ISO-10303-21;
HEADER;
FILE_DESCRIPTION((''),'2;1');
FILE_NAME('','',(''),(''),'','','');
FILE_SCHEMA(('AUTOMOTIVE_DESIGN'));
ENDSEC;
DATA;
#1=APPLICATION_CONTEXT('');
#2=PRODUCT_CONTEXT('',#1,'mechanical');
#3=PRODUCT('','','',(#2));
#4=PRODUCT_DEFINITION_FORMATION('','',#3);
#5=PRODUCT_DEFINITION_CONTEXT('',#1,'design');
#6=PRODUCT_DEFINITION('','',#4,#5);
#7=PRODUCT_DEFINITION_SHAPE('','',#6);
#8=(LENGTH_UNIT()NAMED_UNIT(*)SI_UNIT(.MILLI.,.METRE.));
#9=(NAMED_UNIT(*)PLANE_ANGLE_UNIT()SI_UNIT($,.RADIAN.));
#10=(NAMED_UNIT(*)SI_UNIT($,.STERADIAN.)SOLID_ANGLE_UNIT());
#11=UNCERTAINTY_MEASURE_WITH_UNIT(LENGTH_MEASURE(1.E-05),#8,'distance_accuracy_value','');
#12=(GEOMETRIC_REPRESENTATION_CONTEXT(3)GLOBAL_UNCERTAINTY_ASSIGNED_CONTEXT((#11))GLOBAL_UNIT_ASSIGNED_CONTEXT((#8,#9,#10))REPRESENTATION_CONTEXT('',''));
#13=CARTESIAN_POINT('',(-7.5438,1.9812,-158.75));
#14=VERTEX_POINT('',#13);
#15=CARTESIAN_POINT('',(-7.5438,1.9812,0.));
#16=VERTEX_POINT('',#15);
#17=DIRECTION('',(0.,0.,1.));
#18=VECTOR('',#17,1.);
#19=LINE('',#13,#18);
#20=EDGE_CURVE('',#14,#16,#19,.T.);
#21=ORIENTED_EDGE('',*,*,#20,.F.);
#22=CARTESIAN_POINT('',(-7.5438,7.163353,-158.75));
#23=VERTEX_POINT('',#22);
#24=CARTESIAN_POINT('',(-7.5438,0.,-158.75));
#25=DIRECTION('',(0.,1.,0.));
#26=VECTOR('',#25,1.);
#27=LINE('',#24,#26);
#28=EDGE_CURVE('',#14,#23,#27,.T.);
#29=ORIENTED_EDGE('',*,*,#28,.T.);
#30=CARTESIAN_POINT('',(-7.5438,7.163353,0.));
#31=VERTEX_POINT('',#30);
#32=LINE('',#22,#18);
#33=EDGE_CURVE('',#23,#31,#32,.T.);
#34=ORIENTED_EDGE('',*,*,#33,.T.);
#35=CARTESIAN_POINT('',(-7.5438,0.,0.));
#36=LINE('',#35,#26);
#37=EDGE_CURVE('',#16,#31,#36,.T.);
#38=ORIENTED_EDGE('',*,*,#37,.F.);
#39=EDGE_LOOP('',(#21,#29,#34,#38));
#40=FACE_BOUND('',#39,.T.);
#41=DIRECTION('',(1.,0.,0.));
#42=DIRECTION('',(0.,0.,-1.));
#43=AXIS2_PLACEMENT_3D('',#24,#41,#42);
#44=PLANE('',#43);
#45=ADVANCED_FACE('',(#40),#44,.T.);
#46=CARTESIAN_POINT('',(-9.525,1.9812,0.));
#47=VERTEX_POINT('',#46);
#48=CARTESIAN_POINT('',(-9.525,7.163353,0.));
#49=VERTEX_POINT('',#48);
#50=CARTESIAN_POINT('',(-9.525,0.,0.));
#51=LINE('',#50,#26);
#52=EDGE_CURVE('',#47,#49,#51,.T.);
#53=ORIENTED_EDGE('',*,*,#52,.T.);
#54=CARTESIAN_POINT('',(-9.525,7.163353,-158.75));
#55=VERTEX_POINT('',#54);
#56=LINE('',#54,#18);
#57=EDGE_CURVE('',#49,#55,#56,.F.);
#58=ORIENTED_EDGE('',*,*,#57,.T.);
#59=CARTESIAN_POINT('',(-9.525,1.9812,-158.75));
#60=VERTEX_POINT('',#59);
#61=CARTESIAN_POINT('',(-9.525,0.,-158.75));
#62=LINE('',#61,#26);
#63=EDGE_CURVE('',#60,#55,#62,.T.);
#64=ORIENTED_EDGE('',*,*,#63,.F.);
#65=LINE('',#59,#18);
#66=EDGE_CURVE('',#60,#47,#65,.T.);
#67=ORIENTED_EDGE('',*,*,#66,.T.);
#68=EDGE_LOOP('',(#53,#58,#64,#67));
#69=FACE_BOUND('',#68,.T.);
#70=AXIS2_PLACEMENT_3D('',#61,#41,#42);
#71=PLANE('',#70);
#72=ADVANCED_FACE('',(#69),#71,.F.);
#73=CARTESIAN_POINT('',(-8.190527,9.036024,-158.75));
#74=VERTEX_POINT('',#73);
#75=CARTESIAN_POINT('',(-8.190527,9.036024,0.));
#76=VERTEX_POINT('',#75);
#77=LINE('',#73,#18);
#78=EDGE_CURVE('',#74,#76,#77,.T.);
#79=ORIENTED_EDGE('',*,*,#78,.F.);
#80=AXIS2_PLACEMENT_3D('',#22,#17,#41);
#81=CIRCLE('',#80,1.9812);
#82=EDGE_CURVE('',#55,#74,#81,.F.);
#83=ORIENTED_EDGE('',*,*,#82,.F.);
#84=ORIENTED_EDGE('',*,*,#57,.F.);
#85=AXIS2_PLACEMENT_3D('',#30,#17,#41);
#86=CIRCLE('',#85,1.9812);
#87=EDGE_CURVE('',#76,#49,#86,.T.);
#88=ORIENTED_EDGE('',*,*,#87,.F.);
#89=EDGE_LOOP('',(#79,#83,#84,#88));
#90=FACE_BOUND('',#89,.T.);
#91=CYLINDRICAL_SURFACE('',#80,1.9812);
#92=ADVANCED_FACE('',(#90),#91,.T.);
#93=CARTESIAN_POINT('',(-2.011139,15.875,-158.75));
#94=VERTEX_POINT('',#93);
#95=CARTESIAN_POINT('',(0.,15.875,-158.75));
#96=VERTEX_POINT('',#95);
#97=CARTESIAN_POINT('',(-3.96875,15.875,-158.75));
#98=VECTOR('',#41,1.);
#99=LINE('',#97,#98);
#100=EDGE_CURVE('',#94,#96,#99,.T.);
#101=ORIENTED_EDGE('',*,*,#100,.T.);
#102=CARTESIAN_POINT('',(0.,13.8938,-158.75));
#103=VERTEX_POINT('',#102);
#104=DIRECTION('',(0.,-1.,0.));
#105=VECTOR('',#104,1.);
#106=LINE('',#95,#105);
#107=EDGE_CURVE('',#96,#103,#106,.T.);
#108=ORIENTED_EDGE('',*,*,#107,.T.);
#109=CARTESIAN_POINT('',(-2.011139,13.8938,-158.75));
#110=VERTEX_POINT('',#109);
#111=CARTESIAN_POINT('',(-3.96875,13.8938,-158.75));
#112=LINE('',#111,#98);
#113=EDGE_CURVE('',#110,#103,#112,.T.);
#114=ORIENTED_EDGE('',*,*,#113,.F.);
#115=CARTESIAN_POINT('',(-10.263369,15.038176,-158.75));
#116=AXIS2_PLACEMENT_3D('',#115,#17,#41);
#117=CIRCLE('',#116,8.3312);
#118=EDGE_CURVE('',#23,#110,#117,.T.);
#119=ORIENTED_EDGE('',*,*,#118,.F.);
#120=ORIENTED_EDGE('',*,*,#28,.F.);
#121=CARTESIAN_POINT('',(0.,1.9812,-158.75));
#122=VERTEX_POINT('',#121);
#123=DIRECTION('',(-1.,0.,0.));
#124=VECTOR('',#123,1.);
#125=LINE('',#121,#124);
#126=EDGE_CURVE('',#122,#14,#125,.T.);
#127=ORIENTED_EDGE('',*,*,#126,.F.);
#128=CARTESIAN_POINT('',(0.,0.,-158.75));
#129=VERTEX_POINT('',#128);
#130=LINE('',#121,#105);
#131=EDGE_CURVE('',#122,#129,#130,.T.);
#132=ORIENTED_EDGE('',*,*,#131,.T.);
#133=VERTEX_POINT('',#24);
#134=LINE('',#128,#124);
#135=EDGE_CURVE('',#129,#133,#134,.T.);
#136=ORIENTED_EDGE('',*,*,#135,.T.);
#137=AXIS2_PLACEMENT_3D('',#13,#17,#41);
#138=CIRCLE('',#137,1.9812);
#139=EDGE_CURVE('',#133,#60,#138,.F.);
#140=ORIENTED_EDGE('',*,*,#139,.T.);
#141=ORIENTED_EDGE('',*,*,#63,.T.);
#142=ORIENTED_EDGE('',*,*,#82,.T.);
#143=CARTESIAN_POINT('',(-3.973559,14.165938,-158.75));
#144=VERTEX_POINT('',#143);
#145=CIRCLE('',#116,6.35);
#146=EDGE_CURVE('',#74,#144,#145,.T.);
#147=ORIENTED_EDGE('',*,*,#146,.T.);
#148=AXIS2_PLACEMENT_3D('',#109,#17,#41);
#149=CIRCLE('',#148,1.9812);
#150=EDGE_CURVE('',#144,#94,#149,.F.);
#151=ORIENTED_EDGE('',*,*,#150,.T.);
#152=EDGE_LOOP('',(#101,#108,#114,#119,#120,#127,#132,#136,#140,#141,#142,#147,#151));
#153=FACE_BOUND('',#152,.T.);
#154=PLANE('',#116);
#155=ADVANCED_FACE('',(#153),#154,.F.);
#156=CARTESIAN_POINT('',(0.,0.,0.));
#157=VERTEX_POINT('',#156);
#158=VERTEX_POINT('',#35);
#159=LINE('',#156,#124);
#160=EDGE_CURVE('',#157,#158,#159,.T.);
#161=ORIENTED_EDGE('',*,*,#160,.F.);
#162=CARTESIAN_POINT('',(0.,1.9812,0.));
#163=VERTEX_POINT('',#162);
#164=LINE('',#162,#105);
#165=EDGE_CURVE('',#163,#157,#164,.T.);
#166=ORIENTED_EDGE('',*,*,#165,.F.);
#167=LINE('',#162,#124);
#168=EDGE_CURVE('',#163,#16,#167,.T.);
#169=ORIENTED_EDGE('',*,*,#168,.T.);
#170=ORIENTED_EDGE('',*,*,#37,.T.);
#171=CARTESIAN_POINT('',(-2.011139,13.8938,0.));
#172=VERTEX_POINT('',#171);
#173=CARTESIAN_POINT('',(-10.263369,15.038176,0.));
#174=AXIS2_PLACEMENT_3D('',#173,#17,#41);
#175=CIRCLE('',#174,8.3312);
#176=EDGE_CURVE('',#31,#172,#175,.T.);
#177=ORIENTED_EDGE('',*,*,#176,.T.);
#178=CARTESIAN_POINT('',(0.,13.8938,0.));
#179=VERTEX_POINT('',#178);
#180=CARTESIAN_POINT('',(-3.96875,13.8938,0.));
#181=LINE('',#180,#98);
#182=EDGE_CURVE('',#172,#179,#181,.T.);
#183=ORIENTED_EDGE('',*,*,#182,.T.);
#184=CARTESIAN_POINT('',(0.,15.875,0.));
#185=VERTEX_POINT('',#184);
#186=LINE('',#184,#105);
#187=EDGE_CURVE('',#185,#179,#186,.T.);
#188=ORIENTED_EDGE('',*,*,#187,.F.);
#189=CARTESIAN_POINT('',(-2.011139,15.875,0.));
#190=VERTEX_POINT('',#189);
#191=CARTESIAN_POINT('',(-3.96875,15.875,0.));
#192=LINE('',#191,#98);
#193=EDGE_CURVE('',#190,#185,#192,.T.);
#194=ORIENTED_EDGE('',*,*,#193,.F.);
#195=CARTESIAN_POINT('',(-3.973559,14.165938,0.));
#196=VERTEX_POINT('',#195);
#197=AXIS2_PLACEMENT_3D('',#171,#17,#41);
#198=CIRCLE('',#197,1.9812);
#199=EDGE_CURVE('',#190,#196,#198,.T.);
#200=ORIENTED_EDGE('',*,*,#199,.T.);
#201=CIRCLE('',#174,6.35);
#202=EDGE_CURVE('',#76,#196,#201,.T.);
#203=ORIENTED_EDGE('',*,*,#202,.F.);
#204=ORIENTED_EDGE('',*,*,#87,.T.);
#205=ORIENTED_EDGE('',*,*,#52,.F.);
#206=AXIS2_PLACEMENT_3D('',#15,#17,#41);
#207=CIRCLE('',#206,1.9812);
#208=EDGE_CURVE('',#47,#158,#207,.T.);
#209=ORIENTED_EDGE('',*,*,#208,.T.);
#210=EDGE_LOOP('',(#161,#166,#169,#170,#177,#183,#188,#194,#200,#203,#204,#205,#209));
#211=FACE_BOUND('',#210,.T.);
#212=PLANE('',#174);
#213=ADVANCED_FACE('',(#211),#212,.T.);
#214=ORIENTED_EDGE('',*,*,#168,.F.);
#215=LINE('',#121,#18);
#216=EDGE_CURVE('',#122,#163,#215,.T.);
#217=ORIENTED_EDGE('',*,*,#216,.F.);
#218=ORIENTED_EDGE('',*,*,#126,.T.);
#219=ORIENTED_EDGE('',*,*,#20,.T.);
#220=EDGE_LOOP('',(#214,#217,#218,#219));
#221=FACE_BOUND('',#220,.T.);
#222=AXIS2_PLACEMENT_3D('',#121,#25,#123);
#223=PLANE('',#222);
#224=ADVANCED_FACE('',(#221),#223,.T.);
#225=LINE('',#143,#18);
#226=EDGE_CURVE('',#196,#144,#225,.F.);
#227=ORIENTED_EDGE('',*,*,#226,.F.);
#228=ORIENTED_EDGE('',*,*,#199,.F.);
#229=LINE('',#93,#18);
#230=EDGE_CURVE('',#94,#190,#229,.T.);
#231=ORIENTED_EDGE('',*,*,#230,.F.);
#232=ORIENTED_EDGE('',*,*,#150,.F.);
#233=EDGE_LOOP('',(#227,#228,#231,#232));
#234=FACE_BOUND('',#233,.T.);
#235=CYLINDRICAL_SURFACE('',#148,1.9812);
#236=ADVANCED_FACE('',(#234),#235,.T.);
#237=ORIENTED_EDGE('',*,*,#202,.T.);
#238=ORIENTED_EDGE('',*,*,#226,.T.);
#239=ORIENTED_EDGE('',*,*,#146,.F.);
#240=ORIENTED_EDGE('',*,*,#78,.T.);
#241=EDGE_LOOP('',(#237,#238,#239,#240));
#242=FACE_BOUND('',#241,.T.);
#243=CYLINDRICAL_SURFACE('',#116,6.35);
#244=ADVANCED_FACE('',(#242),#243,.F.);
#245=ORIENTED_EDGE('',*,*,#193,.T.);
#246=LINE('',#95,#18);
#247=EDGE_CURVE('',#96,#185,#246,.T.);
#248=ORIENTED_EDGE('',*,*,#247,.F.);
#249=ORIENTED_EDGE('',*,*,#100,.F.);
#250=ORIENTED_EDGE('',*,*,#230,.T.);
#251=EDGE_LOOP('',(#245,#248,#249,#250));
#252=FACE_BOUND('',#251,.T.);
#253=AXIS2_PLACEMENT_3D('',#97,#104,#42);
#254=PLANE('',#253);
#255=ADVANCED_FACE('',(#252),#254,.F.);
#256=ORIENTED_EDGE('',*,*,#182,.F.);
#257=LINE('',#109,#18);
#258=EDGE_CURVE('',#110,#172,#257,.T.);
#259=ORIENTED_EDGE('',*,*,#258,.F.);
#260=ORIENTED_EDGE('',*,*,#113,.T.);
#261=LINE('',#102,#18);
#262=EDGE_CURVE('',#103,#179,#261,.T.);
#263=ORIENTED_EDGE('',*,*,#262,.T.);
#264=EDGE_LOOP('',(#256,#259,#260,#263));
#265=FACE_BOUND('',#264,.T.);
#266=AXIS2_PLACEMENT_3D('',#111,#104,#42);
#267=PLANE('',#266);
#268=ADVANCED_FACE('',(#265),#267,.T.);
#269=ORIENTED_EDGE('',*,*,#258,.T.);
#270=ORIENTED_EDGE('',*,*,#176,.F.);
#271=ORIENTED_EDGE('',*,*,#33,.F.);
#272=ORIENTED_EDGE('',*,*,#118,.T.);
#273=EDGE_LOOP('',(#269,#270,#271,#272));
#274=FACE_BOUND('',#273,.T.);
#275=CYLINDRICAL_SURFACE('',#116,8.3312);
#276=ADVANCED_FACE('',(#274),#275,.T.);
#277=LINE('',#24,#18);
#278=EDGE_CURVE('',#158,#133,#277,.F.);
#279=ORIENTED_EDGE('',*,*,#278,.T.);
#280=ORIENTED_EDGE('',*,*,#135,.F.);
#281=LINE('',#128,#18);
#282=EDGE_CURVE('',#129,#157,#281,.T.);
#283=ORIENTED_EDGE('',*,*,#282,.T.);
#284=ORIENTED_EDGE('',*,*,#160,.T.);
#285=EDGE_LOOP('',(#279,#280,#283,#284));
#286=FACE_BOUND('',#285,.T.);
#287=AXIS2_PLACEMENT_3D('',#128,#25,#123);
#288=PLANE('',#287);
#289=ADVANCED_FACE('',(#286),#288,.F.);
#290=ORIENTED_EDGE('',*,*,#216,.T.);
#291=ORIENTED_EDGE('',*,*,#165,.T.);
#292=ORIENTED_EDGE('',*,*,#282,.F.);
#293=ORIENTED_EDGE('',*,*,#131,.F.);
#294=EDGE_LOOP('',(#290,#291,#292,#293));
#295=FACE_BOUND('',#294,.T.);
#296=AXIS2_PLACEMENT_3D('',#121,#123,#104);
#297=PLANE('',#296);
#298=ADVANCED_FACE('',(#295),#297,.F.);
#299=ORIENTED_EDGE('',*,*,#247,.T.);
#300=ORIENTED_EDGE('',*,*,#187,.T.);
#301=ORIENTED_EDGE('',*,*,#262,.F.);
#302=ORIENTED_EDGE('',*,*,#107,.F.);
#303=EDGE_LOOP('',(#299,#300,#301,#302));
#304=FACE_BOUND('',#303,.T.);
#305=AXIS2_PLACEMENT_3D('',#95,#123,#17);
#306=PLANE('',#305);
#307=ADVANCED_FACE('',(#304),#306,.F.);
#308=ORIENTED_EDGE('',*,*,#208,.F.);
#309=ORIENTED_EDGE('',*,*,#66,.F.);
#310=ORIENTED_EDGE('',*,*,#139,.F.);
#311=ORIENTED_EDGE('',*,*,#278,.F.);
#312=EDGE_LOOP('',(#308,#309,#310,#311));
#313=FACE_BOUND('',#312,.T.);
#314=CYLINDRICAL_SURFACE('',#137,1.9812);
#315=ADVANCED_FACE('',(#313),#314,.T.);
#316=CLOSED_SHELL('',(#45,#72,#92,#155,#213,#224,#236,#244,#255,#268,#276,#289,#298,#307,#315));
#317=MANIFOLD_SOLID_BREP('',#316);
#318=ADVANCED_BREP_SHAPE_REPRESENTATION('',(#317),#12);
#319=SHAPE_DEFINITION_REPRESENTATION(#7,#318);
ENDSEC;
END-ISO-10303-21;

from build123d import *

# Parameters (mm, degrees)
EXTRUDE_THIN1_DEPTH = 158.75
FILLET1_R           = 1.9812


with BuildPart() as part:
    # Sketch1 → Extrude-Thin1 (new body)
    with BuildSketch(Plane.XY):
        with BuildLine():
            Line((0, 0), (-9.525, 0))
            Line((-9.525, 0), (-9.525, 8.73125))
            ThreePointArc((-9.525, 8.73125), (-5.250982158, 11.13965279), (-3.96875, 15.875))
            Line((-3.96875, 15.875), (0, 15.875))
            Line((0, 15.875), (0, 13.8938))
            Line((0, 13.8938), (-2.011138875, 13.8938))
            ThreePointArc((-2.011138875, 13.8938), (-3.827545416, 9.747705801), (-7.5438, 7.163352557))
            Line((-7.5438, 7.163352557), (-7.5438, 1.9812))
            Line((-7.5438, 1.9812), (0, 1.9812))
            Line((0, 1.9812), (0, 0))
        make_face()
    extrude(amount=-EXTRUDE_THIN1_DEPTH)

    # Fillet1
    fillet1_edges = [part.edges().sort_by_distance(p)[0] for p in [
        (-9.525, 0, -79.375),
        (-9.525, 8.73125, -79.375),
        (-3.96875, 15.875, -79.375),
    ]]
    fillet(fillet1_edges, radius=FILLET1_R)


solid = part.part
